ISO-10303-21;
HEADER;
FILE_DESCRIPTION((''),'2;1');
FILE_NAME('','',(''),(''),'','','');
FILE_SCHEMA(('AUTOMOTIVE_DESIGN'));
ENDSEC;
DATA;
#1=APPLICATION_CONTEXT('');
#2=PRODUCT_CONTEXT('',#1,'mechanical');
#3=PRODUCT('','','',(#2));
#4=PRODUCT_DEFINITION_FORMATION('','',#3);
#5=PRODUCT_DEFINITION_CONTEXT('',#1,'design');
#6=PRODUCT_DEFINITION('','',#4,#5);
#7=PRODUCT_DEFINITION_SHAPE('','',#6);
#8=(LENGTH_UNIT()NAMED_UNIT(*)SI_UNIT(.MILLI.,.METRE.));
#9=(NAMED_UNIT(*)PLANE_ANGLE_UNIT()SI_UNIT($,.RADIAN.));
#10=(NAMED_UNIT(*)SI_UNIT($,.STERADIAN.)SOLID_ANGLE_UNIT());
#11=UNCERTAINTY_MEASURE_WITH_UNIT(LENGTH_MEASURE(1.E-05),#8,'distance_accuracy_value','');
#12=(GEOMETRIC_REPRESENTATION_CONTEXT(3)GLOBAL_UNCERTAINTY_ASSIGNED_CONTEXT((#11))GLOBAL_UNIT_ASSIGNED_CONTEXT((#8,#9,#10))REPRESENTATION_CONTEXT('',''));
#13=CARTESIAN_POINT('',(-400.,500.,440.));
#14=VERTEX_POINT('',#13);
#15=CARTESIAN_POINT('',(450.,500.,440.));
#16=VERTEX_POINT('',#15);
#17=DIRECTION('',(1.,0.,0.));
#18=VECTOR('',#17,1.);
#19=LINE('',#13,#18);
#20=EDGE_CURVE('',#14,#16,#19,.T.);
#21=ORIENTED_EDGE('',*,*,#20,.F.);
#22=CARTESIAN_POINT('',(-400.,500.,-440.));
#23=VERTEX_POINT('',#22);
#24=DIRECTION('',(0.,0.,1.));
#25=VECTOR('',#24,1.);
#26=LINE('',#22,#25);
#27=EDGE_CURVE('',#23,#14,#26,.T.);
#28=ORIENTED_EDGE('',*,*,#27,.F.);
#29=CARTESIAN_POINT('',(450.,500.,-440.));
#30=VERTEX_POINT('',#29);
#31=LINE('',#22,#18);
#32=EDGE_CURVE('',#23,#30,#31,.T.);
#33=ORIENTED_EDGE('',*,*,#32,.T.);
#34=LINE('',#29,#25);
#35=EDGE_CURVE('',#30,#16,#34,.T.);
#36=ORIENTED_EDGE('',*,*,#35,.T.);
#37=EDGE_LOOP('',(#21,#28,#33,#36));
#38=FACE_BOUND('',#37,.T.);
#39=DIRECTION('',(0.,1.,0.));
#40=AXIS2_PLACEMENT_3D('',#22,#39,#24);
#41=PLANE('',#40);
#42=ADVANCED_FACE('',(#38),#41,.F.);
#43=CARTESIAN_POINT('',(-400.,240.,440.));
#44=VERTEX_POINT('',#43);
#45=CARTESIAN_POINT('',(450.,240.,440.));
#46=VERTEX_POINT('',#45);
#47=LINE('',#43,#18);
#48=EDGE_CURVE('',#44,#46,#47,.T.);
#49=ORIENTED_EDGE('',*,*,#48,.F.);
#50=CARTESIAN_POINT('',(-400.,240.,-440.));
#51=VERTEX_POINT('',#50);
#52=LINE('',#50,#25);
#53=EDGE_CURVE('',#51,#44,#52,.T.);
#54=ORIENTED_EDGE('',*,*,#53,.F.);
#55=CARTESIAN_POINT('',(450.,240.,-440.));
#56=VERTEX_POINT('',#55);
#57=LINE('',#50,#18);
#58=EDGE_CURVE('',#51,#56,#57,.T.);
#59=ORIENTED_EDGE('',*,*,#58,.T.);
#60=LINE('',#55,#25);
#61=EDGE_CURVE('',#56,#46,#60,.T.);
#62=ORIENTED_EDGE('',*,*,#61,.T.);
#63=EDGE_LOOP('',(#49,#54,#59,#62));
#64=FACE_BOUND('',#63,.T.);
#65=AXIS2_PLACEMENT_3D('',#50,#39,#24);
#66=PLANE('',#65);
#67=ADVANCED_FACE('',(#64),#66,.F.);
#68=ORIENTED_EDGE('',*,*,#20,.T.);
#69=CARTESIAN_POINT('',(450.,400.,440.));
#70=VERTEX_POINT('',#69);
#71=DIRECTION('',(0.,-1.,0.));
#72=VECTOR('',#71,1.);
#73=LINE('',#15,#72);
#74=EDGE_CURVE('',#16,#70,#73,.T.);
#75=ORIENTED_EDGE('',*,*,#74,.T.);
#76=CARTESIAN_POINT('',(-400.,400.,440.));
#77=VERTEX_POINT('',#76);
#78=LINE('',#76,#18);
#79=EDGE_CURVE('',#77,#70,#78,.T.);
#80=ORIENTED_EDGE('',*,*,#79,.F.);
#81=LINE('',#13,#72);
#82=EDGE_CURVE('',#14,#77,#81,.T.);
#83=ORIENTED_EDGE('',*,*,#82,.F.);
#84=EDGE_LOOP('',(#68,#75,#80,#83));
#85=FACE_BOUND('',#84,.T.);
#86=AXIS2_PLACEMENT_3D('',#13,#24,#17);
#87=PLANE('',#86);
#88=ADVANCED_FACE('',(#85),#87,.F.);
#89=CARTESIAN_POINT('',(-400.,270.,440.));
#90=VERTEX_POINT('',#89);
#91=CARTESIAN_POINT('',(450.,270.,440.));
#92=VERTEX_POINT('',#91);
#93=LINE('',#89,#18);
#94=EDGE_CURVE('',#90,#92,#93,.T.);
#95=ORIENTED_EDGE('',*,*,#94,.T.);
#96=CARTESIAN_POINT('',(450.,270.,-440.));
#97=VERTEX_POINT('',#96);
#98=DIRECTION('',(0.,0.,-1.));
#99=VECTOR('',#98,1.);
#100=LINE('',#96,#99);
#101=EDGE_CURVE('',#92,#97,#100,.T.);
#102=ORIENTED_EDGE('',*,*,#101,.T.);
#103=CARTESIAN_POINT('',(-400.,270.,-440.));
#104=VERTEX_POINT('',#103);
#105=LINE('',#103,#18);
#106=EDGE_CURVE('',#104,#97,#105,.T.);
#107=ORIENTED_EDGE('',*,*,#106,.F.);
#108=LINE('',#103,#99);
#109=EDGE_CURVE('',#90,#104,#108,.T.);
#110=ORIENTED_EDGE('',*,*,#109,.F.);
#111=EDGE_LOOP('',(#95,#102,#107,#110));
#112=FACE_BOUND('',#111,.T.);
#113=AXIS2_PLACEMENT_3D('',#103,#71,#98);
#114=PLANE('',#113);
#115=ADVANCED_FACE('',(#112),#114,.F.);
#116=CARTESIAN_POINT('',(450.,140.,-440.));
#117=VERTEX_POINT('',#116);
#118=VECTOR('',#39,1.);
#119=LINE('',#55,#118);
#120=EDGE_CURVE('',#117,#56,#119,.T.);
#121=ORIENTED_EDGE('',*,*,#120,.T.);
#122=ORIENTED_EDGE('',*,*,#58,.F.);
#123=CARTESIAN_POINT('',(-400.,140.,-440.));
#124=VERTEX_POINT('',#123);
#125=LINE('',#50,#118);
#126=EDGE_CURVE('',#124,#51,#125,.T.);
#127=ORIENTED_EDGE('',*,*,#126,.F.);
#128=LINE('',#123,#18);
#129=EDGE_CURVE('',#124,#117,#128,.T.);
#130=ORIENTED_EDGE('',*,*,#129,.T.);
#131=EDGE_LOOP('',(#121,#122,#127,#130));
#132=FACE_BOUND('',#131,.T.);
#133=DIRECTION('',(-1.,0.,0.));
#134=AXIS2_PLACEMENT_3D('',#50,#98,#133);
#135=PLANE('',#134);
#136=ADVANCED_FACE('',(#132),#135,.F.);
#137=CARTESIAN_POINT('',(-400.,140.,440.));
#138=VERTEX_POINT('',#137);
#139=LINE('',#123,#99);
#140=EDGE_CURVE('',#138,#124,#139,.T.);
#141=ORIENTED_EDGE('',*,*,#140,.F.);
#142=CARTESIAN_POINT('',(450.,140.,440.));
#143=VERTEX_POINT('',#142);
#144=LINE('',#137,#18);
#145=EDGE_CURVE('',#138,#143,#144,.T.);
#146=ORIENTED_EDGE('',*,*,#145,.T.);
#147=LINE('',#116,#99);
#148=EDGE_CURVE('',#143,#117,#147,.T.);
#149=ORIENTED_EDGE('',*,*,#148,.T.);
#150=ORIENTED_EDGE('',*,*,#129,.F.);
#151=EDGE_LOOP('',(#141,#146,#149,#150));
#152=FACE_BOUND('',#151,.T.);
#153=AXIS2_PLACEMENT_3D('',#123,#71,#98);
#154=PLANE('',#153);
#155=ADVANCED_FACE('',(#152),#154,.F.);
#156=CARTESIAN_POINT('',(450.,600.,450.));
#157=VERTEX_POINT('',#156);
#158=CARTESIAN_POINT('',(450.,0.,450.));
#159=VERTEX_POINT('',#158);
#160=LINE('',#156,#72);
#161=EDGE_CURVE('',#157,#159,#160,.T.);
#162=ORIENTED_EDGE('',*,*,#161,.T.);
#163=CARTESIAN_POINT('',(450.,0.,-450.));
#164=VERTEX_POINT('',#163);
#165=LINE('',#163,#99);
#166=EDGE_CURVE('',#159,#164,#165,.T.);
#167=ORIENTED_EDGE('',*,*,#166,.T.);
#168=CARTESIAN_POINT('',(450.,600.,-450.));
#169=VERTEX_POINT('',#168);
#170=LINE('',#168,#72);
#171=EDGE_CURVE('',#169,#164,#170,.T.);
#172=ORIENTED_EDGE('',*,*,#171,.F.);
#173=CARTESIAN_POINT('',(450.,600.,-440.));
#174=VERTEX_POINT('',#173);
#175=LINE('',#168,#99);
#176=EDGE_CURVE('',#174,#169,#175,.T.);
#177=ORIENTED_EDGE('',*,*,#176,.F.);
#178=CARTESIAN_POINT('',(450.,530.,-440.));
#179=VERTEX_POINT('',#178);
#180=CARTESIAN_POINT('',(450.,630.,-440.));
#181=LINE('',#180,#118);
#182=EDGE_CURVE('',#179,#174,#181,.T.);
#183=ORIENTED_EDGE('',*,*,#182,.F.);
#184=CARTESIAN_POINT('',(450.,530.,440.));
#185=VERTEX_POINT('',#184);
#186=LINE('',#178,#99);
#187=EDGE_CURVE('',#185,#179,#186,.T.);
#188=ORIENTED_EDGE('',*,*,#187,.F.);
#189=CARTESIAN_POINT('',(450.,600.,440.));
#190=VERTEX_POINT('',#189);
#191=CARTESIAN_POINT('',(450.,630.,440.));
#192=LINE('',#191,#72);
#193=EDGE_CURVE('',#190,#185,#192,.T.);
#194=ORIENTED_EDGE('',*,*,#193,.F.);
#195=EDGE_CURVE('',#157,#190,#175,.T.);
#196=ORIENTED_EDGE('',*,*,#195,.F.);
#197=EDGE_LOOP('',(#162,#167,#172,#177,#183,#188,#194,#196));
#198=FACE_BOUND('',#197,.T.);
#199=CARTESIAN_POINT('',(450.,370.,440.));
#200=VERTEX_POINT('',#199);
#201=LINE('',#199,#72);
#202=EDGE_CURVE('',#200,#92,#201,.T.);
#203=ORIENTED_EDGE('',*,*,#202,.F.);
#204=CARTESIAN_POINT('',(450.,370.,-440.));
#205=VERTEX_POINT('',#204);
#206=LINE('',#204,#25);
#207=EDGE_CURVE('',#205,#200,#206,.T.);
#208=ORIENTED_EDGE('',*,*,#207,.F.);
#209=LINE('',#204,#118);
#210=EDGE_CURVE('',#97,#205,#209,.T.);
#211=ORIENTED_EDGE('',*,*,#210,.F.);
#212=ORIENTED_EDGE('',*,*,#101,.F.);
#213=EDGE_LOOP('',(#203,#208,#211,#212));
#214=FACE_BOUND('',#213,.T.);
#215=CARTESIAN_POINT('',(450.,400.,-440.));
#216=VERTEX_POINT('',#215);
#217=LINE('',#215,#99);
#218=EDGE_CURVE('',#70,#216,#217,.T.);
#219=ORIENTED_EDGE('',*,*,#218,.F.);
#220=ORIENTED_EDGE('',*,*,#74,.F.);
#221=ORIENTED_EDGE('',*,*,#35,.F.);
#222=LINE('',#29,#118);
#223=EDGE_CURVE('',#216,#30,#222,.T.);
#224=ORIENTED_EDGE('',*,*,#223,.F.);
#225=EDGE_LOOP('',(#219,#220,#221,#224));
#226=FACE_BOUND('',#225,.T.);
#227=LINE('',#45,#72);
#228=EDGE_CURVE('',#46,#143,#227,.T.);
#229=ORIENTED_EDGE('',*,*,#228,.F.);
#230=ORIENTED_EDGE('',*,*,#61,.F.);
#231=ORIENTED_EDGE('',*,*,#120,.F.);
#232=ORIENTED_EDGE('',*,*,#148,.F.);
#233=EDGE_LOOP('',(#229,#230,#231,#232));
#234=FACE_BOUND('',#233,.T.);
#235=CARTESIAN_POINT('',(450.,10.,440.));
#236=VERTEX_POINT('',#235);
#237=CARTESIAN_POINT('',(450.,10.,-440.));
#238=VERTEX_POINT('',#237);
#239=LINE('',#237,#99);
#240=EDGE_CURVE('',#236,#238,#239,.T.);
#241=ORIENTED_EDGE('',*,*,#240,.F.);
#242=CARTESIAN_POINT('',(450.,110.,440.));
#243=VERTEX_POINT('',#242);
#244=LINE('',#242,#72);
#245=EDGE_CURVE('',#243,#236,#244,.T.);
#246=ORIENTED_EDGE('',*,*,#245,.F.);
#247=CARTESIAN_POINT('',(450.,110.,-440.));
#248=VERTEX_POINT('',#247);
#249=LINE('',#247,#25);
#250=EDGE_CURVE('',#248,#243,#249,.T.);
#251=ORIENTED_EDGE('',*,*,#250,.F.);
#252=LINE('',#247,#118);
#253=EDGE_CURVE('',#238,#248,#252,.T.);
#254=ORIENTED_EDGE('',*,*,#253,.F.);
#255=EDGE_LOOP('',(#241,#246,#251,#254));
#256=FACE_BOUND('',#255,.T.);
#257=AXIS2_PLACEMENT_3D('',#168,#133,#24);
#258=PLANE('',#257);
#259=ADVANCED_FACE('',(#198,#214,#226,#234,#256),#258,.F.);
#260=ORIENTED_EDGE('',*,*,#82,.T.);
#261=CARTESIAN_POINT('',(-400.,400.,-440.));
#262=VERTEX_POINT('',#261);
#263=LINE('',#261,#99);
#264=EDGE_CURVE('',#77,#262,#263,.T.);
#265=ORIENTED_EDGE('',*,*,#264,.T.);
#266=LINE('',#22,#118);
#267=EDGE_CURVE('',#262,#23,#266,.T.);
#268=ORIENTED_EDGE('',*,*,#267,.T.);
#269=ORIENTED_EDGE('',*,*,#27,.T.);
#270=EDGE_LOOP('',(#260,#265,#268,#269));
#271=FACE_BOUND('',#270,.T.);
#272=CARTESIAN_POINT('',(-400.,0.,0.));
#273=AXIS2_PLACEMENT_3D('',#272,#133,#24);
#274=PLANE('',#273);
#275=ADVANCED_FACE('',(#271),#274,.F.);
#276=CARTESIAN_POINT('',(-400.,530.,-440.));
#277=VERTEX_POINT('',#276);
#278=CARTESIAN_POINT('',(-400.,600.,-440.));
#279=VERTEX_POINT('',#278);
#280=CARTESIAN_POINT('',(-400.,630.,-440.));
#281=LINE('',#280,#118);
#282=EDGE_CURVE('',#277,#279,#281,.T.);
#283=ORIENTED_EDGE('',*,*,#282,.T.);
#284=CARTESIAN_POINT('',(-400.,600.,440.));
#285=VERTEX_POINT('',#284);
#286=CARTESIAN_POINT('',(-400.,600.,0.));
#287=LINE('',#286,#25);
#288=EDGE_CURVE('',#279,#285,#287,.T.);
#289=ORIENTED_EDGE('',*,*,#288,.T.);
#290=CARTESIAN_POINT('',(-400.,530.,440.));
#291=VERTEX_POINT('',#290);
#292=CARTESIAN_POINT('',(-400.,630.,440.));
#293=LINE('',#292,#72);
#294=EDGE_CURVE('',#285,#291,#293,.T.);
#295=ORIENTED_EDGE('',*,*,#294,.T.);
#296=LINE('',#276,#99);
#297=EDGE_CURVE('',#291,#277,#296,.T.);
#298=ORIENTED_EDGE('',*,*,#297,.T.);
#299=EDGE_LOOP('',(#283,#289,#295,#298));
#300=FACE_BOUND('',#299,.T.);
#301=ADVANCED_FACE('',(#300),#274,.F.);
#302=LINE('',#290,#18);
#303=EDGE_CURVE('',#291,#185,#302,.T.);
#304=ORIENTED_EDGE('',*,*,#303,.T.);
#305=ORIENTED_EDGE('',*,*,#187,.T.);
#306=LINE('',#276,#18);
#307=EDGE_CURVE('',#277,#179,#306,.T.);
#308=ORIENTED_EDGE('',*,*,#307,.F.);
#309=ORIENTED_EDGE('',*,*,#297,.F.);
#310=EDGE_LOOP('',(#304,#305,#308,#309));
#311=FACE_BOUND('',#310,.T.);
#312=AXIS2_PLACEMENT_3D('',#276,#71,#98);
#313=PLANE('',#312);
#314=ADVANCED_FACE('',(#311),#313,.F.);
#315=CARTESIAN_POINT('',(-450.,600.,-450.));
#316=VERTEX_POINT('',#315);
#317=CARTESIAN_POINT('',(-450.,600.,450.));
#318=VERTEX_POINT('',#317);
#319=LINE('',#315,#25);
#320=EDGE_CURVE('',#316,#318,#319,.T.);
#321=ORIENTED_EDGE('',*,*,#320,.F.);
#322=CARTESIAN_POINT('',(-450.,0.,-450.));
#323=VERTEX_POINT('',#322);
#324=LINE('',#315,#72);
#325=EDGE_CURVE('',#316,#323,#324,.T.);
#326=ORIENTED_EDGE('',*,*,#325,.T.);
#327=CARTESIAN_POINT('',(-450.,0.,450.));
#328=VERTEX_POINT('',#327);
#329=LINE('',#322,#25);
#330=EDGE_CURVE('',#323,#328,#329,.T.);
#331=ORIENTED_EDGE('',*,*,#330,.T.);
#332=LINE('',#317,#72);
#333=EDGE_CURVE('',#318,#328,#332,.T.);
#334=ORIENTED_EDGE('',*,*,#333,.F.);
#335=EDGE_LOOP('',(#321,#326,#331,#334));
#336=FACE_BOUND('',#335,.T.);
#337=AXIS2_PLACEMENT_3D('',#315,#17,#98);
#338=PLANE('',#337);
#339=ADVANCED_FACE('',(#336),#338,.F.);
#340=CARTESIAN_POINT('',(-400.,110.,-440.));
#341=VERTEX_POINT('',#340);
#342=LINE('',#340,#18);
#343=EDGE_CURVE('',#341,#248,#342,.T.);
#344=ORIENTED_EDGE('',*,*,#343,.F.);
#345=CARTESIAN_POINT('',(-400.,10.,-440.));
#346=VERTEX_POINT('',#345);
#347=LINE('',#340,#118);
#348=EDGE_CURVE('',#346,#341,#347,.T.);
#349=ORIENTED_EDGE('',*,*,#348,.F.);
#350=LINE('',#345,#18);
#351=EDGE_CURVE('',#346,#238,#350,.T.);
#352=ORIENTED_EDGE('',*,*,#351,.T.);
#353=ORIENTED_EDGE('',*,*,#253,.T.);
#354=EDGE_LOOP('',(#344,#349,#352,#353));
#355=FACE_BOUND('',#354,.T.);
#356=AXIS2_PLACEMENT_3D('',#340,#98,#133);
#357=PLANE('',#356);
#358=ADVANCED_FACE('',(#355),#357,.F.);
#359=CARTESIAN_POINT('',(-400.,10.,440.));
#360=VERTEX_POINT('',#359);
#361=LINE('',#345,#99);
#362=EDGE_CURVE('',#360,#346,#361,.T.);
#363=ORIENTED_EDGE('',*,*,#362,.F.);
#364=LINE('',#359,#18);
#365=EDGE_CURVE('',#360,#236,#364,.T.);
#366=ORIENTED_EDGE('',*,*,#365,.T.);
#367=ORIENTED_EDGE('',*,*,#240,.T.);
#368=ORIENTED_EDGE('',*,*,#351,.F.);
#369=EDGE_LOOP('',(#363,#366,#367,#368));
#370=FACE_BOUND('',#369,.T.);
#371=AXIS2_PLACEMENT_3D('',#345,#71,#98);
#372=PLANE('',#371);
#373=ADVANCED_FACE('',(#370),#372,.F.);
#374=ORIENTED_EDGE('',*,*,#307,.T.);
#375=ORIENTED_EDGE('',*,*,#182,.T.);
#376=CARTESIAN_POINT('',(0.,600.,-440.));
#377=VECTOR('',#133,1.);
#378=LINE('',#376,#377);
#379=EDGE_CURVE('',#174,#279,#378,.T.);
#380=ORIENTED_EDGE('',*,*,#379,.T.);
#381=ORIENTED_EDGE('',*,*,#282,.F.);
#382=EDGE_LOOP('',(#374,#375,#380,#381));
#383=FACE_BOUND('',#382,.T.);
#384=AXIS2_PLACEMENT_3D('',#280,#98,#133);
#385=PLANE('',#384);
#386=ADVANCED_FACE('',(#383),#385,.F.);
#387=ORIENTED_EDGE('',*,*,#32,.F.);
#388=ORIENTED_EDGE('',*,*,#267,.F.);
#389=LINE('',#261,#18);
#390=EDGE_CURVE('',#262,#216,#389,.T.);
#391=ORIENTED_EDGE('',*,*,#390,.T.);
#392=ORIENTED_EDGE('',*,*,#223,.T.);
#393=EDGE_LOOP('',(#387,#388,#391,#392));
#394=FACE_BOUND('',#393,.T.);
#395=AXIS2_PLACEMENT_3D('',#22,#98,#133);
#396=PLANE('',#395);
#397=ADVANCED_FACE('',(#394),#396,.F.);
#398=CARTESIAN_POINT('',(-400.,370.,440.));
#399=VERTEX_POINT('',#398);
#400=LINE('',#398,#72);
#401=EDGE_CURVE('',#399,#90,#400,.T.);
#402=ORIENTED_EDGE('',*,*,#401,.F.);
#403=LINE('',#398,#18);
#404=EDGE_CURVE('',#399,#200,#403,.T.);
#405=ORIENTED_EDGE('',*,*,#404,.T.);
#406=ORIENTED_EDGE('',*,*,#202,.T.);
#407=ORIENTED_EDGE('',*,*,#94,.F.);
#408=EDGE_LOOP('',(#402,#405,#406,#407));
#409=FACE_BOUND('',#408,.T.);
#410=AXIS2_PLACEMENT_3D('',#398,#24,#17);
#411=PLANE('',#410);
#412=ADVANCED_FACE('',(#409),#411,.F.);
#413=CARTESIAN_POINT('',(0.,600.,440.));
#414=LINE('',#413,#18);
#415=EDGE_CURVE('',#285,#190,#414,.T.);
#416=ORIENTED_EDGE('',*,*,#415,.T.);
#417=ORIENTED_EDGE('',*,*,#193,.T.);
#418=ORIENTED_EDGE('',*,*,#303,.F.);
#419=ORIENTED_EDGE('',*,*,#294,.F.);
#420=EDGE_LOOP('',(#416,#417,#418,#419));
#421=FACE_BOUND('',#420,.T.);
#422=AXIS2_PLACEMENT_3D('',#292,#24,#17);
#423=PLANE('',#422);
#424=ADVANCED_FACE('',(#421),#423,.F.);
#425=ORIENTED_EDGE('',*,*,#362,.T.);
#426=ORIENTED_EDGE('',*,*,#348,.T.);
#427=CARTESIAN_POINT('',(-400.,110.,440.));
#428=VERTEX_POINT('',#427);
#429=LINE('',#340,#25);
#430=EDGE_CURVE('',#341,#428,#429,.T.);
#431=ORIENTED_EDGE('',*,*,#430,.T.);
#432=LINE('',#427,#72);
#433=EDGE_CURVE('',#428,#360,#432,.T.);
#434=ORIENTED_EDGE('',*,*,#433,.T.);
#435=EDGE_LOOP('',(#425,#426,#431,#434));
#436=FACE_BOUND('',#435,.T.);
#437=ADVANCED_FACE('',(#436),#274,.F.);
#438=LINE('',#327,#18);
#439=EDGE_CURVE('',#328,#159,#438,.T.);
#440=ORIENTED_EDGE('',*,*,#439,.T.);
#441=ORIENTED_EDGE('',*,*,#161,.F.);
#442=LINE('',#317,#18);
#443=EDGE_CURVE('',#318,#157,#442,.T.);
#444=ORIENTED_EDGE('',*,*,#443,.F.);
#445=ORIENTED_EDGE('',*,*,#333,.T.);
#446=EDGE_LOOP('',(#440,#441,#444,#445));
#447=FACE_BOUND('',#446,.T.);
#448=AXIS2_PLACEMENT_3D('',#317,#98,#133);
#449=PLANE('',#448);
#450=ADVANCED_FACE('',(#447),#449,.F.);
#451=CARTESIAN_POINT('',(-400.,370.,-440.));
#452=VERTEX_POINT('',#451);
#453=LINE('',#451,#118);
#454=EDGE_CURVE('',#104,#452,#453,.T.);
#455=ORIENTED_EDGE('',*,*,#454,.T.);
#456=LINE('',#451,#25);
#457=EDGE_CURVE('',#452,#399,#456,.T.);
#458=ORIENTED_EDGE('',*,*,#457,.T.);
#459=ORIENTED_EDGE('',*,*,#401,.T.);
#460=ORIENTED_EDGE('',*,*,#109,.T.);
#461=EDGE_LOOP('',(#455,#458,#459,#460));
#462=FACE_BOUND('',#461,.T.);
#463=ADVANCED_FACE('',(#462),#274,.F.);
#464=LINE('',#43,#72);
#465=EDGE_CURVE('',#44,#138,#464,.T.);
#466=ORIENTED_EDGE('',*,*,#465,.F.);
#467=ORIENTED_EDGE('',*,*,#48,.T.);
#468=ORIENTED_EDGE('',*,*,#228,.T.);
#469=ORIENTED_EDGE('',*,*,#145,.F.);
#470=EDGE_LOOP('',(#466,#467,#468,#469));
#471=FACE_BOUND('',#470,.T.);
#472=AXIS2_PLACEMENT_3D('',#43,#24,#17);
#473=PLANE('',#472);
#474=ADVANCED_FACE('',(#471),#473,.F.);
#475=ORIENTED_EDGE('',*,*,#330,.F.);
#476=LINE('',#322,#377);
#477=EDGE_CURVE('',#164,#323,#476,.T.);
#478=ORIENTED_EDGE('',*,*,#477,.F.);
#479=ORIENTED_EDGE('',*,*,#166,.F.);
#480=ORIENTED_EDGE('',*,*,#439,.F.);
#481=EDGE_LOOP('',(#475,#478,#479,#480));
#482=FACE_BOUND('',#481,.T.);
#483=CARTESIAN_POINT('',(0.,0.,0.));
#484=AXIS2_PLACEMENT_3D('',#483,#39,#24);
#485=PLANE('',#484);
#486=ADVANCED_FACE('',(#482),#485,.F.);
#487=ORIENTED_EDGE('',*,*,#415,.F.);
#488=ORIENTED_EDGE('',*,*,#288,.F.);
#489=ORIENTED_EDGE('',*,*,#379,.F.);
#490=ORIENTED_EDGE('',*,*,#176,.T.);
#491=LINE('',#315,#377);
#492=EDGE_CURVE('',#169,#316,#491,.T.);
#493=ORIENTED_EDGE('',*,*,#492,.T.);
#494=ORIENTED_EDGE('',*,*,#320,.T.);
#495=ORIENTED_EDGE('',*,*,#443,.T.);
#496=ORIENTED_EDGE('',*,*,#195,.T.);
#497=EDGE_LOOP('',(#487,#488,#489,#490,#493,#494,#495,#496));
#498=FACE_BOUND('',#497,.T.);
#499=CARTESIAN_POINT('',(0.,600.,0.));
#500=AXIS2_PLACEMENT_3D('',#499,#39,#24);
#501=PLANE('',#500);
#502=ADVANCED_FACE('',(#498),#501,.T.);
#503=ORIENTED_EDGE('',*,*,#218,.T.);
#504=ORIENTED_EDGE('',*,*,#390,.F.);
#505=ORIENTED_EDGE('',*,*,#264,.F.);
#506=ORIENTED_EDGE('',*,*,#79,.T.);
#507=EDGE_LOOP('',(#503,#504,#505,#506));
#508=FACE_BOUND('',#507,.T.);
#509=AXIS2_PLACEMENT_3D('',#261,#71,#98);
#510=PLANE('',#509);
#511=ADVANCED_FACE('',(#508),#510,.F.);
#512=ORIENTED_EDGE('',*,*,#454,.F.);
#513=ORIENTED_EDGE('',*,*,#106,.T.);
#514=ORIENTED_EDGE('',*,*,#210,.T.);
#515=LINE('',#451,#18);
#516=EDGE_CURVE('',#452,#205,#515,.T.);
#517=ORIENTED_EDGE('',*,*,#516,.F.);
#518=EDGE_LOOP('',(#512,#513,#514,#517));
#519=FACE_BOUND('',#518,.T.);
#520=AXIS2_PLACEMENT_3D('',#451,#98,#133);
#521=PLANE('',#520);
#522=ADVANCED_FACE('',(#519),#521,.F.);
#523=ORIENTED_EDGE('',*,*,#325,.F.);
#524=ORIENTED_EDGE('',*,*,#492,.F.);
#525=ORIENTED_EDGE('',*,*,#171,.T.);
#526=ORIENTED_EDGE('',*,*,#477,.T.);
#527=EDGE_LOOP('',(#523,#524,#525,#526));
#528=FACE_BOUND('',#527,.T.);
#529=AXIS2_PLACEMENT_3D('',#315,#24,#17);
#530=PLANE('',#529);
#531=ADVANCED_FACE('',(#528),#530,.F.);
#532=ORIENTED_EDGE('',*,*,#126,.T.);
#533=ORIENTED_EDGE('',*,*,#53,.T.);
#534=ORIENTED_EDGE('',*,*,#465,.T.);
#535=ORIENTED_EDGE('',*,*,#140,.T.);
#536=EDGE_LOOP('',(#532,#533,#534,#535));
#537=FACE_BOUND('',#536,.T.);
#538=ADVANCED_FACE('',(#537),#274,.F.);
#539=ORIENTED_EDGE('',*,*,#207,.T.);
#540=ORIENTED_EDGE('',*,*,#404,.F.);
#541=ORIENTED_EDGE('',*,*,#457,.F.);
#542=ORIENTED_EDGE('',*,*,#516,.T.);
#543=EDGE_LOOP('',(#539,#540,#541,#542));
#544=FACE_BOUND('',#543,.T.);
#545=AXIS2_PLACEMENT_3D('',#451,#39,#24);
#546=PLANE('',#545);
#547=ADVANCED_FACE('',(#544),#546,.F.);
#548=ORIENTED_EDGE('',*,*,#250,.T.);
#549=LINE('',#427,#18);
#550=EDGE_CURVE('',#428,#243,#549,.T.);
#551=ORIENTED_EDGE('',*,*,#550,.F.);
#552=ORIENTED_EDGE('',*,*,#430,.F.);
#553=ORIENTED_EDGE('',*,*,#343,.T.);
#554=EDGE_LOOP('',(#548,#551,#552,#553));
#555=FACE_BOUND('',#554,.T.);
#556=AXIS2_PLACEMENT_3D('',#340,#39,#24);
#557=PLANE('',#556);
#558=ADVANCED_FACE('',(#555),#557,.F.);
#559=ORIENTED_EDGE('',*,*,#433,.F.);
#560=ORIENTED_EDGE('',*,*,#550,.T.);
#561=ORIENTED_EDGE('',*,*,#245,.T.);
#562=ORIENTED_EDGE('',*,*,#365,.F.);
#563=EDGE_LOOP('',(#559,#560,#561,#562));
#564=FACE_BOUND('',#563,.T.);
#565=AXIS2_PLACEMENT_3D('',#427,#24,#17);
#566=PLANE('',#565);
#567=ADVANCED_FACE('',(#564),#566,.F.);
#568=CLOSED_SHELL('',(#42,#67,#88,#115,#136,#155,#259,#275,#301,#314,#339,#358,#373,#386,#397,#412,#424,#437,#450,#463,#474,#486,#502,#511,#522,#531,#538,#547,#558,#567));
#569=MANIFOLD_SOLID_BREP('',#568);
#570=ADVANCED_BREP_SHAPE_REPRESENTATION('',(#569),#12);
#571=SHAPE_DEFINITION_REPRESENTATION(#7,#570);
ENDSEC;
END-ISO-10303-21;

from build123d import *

# Parameters (mm, degrees)
SKETCH1_W           = 900
SKETCH1_H           = 900
BOSS_EXTRUDE1_DEPTH = 600
SKETCH3_W           = 880
SKETCH3_H           = 100
CUT_EXTRUDE2_DEPTH  = 850


with BuildPart() as part:
    # Sketch1 → Boss-Extrude1 (new body)
    with BuildSketch(Plane(origin=(0, 0, 0), x_dir=(1, 0, 0), z_dir=(0, 1, 0))):
        Rectangle(SKETCH1_W, SKETCH1_H)
    extrude(amount=BOSS_EXTRUDE1_DEPTH)

    # Sketch3 → Cut-Extrude2 (cut)
    with BuildSketch(Plane(origin=(450, 0, 0), x_dir=(0, 0, -1), z_dir=(1, 0, 0))):
        with Locations((0, 60)):
            Rectangle(SKETCH3_W, SKETCH3_H)
        with Locations((0, 190)):
            Rectangle(SKETCH3_W, SKETCH3_H)
        with Locations((0, 320)):
            Rectangle(SKETCH3_W, SKETCH3_H)
        with Locations((0, 450)):
            Rectangle(SKETCH3_W, SKETCH3_H)
        with Locations((0, 580)):
            Rectangle(SKETCH3_W, SKETCH3_H)
    extrude(amount=-CUT_EXTRUDE2_DEPTH, mode=Mode.SUBTRACT)


solid = part.part
